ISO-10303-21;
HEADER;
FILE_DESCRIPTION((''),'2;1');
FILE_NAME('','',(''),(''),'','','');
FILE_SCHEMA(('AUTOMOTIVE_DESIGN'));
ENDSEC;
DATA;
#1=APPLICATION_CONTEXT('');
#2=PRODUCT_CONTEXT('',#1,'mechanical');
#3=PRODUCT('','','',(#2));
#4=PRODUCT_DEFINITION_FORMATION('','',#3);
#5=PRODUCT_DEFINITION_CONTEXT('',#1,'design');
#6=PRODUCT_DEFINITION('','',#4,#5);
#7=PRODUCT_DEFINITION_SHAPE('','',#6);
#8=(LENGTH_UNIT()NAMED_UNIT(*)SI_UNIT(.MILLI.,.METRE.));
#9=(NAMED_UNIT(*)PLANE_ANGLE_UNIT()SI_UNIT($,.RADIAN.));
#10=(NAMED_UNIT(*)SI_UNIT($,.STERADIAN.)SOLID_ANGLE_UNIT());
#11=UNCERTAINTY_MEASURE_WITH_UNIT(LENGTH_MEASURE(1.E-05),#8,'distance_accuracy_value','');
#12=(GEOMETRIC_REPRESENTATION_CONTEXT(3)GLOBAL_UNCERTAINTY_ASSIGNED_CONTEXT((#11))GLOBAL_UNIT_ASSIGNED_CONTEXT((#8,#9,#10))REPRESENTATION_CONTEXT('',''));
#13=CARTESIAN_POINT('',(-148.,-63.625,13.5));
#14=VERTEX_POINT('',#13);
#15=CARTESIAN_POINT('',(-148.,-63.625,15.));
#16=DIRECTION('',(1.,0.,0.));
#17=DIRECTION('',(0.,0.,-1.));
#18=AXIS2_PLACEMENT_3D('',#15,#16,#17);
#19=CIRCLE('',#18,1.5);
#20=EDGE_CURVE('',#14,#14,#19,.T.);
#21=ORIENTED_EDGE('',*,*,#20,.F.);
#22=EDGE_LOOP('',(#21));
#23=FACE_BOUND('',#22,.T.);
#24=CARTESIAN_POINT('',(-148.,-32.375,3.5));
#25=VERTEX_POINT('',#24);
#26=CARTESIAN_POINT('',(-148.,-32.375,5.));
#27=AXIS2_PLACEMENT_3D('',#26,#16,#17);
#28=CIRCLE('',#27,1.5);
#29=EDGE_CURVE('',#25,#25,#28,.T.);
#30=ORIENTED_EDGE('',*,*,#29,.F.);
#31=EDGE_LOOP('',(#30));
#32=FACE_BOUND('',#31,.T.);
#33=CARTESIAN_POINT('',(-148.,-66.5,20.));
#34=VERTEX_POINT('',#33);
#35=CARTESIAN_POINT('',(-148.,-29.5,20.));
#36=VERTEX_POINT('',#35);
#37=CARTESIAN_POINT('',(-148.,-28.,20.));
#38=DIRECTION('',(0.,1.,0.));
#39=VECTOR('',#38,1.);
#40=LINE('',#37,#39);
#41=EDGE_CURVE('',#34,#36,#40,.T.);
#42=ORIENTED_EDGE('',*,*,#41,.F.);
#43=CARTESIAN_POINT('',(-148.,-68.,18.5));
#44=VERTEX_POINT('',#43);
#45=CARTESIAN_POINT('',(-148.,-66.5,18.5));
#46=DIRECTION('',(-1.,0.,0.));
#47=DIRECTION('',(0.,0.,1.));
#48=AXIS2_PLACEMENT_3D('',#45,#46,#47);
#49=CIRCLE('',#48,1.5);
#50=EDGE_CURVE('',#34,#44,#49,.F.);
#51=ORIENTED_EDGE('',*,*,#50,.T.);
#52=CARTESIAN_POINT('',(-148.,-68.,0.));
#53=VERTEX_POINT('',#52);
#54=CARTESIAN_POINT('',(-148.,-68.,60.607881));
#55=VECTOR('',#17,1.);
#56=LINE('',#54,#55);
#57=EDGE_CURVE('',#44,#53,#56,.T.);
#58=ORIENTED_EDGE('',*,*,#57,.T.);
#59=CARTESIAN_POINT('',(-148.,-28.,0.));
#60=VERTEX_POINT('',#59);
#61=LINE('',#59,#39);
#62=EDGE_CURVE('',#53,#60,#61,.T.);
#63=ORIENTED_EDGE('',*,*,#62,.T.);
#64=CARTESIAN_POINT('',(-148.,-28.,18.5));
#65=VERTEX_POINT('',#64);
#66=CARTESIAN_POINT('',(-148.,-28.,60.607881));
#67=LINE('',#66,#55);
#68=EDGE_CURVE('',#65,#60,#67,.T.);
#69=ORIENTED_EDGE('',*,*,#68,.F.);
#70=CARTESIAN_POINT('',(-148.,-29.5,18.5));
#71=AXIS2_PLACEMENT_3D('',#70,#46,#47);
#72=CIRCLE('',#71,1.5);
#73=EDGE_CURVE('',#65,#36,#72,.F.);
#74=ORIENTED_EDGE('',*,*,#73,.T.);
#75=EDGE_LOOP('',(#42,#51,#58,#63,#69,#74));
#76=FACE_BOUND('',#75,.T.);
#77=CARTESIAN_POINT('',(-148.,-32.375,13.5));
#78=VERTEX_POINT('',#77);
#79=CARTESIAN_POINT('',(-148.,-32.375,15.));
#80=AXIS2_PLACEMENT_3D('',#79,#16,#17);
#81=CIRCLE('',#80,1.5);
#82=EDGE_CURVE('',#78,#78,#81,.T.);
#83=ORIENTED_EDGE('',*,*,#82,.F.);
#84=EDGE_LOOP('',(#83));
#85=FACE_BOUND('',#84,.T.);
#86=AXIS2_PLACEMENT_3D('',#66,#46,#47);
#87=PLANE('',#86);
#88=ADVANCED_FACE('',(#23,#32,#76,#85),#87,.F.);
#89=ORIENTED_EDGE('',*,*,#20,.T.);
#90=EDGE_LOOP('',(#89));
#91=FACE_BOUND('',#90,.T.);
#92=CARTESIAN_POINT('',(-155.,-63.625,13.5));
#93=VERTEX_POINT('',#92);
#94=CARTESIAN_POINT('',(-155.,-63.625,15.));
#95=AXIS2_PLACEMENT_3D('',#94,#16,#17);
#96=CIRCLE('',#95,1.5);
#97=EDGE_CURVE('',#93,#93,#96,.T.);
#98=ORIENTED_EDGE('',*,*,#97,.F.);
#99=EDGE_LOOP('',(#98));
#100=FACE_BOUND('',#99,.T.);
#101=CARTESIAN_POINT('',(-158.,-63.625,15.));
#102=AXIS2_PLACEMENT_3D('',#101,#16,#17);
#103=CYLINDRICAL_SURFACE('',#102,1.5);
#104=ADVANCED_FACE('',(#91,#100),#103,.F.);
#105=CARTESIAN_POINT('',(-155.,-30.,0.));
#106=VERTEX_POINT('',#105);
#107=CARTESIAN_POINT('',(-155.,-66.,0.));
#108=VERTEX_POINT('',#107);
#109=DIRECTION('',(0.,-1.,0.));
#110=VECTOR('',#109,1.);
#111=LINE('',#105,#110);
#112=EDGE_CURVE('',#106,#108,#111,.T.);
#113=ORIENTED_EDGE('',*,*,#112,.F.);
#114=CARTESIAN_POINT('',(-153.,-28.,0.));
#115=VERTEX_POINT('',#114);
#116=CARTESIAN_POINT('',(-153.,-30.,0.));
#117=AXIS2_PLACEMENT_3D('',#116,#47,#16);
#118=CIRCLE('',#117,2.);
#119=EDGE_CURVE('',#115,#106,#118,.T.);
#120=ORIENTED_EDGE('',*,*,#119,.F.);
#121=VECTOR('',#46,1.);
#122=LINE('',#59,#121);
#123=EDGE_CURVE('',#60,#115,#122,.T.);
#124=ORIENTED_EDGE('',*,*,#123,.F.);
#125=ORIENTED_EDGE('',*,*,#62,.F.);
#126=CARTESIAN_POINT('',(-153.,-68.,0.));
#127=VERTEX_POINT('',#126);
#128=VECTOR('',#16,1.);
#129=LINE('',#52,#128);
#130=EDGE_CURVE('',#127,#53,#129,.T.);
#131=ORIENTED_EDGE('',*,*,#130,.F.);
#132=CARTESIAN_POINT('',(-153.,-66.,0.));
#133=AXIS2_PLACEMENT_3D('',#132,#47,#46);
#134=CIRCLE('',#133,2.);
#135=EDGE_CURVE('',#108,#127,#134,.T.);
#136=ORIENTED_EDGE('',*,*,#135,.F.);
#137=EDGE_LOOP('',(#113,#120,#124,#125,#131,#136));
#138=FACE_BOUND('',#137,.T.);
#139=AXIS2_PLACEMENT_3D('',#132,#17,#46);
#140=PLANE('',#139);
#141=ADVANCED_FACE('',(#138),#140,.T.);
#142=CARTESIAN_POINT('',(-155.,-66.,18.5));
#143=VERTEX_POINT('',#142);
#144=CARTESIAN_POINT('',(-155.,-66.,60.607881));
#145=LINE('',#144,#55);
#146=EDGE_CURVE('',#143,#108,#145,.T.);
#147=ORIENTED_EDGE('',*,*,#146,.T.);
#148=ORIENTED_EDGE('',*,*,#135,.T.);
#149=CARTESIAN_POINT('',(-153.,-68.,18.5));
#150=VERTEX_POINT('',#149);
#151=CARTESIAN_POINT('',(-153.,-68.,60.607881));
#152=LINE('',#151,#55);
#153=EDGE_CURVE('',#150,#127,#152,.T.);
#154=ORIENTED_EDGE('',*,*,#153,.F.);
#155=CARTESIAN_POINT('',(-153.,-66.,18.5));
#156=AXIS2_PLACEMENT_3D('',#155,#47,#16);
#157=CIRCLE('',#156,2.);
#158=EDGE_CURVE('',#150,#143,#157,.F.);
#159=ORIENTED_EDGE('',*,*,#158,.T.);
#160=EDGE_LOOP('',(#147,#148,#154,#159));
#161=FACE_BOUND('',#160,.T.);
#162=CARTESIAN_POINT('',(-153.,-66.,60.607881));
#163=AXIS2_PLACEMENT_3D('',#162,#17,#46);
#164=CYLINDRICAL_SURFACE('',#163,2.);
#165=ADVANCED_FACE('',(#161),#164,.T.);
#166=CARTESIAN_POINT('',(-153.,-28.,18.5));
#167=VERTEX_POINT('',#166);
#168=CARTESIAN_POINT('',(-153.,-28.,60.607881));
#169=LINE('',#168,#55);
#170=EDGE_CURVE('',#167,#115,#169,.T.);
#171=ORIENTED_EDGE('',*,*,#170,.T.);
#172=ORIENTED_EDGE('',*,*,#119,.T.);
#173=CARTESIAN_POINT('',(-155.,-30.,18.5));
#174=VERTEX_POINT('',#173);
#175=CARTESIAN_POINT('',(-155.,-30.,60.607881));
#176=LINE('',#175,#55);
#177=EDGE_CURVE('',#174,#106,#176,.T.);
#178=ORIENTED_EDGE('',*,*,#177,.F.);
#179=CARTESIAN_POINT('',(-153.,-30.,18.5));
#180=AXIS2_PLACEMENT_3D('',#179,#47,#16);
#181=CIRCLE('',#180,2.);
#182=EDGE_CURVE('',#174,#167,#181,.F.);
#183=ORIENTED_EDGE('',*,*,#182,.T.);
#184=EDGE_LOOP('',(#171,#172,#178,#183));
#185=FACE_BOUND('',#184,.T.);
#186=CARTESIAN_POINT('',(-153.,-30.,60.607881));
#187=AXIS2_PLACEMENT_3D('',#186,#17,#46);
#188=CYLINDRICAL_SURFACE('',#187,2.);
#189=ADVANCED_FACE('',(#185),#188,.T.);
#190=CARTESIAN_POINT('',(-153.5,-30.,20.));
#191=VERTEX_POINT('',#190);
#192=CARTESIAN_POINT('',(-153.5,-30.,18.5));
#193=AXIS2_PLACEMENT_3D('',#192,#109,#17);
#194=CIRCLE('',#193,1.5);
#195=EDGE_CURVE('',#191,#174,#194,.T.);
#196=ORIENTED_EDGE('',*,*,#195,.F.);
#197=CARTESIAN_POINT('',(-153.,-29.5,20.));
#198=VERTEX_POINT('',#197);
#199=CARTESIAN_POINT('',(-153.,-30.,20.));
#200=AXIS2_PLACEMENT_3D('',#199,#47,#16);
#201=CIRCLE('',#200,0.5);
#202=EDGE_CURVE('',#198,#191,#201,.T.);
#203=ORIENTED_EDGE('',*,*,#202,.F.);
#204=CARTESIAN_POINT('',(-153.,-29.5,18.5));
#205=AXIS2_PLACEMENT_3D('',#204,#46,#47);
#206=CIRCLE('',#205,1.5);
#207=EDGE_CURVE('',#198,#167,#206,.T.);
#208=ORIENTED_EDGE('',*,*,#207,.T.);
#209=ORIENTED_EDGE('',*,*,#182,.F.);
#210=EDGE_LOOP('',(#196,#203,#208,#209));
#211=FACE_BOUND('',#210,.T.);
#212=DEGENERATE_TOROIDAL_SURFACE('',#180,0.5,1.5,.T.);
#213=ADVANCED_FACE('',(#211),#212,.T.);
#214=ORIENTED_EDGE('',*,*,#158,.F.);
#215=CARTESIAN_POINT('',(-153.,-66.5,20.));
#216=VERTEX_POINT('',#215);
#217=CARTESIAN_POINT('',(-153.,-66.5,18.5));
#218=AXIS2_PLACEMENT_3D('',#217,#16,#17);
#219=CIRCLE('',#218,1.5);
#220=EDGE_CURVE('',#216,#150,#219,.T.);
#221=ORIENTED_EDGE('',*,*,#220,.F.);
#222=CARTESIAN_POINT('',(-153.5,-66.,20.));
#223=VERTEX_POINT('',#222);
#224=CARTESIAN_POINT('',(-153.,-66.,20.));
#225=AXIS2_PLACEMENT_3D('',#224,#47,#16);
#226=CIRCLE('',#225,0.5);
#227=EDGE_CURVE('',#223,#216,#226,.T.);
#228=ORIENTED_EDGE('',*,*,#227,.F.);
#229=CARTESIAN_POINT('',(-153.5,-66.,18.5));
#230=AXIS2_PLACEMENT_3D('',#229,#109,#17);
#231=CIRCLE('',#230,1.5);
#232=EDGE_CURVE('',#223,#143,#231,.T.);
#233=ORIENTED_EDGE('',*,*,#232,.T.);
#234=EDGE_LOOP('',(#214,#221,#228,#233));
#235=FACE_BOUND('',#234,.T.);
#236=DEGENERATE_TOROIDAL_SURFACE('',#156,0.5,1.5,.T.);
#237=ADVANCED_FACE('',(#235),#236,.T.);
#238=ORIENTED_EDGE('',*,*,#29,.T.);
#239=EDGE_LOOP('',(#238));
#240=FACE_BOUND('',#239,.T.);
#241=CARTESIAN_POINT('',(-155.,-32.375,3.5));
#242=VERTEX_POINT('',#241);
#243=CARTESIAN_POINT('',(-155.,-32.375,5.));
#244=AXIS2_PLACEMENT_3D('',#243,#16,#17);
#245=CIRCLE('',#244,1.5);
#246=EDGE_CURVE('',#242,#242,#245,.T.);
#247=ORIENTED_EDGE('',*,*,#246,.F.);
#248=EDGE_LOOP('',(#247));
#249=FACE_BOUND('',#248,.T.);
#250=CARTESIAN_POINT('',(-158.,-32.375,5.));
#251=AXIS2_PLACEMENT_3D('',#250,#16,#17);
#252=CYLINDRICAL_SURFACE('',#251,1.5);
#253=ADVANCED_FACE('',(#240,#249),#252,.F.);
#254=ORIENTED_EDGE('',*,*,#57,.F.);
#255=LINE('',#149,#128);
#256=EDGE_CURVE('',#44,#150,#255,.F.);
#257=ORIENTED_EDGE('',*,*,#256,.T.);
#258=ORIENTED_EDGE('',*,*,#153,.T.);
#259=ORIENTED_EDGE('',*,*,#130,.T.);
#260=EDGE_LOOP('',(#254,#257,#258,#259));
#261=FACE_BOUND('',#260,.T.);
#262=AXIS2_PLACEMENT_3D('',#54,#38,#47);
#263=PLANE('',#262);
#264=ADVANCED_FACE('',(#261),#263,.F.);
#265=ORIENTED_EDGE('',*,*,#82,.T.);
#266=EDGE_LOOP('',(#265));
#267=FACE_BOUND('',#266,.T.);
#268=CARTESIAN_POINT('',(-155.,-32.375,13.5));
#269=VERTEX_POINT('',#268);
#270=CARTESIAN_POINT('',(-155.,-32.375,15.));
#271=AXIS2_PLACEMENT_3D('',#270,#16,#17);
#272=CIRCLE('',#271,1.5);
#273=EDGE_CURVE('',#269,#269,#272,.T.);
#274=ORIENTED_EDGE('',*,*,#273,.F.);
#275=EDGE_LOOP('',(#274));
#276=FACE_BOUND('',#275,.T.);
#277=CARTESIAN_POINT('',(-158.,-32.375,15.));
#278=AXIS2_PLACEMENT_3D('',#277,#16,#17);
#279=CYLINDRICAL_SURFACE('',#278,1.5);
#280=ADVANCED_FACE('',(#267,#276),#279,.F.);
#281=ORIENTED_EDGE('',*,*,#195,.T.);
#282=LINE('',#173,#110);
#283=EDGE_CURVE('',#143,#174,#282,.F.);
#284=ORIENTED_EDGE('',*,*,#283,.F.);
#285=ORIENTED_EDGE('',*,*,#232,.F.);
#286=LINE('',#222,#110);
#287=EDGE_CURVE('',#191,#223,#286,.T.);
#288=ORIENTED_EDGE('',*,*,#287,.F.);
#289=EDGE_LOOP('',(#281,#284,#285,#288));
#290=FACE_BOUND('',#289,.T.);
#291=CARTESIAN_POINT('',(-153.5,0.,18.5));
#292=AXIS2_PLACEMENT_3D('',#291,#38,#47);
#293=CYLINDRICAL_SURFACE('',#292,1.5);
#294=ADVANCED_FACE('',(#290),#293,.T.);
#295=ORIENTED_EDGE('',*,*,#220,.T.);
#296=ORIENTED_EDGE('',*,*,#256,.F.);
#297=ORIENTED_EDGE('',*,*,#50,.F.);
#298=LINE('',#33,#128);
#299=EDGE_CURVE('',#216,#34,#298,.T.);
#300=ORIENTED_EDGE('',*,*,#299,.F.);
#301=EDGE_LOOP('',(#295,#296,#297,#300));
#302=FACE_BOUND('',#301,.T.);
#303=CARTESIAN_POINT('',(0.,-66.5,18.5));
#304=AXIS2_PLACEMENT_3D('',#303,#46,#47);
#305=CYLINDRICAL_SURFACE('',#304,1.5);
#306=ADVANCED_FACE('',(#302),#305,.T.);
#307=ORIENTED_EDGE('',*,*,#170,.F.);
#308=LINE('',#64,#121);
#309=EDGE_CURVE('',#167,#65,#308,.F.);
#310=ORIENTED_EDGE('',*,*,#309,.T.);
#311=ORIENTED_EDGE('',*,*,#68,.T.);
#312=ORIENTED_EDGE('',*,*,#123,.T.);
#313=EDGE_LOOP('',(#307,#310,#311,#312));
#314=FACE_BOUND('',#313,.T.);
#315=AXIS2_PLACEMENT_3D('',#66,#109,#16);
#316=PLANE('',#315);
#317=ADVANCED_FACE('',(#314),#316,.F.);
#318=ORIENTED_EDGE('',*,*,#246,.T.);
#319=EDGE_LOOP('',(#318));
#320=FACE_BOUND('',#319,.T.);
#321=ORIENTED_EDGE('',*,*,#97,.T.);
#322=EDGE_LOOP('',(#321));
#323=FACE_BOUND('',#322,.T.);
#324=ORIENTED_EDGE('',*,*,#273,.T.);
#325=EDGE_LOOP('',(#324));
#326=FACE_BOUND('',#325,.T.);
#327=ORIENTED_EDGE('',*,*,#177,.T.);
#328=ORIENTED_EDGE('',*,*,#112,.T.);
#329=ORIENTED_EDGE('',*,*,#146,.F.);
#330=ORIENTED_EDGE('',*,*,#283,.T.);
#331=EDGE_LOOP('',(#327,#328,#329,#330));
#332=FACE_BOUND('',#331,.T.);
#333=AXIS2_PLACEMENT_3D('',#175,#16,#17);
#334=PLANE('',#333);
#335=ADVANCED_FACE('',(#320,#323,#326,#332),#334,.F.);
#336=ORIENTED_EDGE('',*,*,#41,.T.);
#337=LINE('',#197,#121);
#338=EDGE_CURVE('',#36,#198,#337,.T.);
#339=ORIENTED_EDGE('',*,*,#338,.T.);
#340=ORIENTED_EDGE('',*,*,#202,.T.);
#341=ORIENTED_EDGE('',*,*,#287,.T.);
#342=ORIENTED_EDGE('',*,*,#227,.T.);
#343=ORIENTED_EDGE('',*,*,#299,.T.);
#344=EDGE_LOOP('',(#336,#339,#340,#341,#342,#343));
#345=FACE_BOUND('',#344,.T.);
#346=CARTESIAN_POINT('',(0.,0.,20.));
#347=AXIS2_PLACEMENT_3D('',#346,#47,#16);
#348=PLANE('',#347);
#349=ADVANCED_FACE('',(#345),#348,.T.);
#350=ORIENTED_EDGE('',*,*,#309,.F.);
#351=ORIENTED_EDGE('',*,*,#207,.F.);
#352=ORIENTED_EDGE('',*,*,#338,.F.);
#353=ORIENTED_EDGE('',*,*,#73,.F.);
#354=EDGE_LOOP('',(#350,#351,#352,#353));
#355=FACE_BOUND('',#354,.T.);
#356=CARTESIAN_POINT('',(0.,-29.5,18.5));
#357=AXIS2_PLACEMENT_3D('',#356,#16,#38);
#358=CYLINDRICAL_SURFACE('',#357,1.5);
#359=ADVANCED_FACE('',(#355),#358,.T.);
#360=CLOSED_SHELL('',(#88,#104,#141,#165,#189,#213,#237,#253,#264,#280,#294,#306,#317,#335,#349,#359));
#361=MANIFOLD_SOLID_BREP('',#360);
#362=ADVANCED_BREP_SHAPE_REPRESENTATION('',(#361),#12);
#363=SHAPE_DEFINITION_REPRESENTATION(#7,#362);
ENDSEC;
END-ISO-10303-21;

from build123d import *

# Parameters (mm, degrees)
BOSS_EXTRUDE1_DEPTH = 20
SKETCH3_R           = 1.5
CUT_EXTRUDE1_DEPTH  = 10
FILLET1_R           = 1.5


with BuildPart() as part:
    # Sketch2 → Boss-Extrude1 (new body)
    with BuildSketch(Plane.XY):
        with BuildLine():
            Line((-148, -28), (-153, -28))
            ThreePointArc((-153, -28), (-154.414213562, -28.585786438), (-155, -30))
            Line((-155, -30), (-155, -66))
            ThreePointArc((-155, -66), (-154.414213562, -67.414213562), (-153, -68))
            Line((-153, -68), (-148, -68))
            Line((-148, -68), (-148, -28))
        make_face()
    extrude(amount=BOSS_EXTRUDE1_DEPTH)

    # Sketch3 → Cut-Extrude1 (cut)
    with BuildSketch(Plane(origin=(-148, 0, 0), x_dir=(0, 0, -1), z_dir=(1, 0, 0))):
        with Locations((-15, -63.625)):
            Circle(SKETCH3_R)
        with Locations((-5, -32.375)):
            Circle(SKETCH3_R)
        with Locations((-15, -32.375)):
            Circle(SKETCH3_R)
    extrude(amount=-CUT_EXTRUDE1_DEPTH, mode=Mode.SUBTRACT)

    # Fillet1
    fillet1_edges = [part.edges().sort_by_distance(p)[0] for p in [
        (-150.5, -68, 20),
        (-150.5, -28, 20),
        (-154.414213562, -28.585786438, 20),
        (-155, -48, 20),
        (-154.414213562, -67.414213562, 20),
    ]]
    fillet(fillet1_edges, radius=FILLET1_R)


solid = part.part
